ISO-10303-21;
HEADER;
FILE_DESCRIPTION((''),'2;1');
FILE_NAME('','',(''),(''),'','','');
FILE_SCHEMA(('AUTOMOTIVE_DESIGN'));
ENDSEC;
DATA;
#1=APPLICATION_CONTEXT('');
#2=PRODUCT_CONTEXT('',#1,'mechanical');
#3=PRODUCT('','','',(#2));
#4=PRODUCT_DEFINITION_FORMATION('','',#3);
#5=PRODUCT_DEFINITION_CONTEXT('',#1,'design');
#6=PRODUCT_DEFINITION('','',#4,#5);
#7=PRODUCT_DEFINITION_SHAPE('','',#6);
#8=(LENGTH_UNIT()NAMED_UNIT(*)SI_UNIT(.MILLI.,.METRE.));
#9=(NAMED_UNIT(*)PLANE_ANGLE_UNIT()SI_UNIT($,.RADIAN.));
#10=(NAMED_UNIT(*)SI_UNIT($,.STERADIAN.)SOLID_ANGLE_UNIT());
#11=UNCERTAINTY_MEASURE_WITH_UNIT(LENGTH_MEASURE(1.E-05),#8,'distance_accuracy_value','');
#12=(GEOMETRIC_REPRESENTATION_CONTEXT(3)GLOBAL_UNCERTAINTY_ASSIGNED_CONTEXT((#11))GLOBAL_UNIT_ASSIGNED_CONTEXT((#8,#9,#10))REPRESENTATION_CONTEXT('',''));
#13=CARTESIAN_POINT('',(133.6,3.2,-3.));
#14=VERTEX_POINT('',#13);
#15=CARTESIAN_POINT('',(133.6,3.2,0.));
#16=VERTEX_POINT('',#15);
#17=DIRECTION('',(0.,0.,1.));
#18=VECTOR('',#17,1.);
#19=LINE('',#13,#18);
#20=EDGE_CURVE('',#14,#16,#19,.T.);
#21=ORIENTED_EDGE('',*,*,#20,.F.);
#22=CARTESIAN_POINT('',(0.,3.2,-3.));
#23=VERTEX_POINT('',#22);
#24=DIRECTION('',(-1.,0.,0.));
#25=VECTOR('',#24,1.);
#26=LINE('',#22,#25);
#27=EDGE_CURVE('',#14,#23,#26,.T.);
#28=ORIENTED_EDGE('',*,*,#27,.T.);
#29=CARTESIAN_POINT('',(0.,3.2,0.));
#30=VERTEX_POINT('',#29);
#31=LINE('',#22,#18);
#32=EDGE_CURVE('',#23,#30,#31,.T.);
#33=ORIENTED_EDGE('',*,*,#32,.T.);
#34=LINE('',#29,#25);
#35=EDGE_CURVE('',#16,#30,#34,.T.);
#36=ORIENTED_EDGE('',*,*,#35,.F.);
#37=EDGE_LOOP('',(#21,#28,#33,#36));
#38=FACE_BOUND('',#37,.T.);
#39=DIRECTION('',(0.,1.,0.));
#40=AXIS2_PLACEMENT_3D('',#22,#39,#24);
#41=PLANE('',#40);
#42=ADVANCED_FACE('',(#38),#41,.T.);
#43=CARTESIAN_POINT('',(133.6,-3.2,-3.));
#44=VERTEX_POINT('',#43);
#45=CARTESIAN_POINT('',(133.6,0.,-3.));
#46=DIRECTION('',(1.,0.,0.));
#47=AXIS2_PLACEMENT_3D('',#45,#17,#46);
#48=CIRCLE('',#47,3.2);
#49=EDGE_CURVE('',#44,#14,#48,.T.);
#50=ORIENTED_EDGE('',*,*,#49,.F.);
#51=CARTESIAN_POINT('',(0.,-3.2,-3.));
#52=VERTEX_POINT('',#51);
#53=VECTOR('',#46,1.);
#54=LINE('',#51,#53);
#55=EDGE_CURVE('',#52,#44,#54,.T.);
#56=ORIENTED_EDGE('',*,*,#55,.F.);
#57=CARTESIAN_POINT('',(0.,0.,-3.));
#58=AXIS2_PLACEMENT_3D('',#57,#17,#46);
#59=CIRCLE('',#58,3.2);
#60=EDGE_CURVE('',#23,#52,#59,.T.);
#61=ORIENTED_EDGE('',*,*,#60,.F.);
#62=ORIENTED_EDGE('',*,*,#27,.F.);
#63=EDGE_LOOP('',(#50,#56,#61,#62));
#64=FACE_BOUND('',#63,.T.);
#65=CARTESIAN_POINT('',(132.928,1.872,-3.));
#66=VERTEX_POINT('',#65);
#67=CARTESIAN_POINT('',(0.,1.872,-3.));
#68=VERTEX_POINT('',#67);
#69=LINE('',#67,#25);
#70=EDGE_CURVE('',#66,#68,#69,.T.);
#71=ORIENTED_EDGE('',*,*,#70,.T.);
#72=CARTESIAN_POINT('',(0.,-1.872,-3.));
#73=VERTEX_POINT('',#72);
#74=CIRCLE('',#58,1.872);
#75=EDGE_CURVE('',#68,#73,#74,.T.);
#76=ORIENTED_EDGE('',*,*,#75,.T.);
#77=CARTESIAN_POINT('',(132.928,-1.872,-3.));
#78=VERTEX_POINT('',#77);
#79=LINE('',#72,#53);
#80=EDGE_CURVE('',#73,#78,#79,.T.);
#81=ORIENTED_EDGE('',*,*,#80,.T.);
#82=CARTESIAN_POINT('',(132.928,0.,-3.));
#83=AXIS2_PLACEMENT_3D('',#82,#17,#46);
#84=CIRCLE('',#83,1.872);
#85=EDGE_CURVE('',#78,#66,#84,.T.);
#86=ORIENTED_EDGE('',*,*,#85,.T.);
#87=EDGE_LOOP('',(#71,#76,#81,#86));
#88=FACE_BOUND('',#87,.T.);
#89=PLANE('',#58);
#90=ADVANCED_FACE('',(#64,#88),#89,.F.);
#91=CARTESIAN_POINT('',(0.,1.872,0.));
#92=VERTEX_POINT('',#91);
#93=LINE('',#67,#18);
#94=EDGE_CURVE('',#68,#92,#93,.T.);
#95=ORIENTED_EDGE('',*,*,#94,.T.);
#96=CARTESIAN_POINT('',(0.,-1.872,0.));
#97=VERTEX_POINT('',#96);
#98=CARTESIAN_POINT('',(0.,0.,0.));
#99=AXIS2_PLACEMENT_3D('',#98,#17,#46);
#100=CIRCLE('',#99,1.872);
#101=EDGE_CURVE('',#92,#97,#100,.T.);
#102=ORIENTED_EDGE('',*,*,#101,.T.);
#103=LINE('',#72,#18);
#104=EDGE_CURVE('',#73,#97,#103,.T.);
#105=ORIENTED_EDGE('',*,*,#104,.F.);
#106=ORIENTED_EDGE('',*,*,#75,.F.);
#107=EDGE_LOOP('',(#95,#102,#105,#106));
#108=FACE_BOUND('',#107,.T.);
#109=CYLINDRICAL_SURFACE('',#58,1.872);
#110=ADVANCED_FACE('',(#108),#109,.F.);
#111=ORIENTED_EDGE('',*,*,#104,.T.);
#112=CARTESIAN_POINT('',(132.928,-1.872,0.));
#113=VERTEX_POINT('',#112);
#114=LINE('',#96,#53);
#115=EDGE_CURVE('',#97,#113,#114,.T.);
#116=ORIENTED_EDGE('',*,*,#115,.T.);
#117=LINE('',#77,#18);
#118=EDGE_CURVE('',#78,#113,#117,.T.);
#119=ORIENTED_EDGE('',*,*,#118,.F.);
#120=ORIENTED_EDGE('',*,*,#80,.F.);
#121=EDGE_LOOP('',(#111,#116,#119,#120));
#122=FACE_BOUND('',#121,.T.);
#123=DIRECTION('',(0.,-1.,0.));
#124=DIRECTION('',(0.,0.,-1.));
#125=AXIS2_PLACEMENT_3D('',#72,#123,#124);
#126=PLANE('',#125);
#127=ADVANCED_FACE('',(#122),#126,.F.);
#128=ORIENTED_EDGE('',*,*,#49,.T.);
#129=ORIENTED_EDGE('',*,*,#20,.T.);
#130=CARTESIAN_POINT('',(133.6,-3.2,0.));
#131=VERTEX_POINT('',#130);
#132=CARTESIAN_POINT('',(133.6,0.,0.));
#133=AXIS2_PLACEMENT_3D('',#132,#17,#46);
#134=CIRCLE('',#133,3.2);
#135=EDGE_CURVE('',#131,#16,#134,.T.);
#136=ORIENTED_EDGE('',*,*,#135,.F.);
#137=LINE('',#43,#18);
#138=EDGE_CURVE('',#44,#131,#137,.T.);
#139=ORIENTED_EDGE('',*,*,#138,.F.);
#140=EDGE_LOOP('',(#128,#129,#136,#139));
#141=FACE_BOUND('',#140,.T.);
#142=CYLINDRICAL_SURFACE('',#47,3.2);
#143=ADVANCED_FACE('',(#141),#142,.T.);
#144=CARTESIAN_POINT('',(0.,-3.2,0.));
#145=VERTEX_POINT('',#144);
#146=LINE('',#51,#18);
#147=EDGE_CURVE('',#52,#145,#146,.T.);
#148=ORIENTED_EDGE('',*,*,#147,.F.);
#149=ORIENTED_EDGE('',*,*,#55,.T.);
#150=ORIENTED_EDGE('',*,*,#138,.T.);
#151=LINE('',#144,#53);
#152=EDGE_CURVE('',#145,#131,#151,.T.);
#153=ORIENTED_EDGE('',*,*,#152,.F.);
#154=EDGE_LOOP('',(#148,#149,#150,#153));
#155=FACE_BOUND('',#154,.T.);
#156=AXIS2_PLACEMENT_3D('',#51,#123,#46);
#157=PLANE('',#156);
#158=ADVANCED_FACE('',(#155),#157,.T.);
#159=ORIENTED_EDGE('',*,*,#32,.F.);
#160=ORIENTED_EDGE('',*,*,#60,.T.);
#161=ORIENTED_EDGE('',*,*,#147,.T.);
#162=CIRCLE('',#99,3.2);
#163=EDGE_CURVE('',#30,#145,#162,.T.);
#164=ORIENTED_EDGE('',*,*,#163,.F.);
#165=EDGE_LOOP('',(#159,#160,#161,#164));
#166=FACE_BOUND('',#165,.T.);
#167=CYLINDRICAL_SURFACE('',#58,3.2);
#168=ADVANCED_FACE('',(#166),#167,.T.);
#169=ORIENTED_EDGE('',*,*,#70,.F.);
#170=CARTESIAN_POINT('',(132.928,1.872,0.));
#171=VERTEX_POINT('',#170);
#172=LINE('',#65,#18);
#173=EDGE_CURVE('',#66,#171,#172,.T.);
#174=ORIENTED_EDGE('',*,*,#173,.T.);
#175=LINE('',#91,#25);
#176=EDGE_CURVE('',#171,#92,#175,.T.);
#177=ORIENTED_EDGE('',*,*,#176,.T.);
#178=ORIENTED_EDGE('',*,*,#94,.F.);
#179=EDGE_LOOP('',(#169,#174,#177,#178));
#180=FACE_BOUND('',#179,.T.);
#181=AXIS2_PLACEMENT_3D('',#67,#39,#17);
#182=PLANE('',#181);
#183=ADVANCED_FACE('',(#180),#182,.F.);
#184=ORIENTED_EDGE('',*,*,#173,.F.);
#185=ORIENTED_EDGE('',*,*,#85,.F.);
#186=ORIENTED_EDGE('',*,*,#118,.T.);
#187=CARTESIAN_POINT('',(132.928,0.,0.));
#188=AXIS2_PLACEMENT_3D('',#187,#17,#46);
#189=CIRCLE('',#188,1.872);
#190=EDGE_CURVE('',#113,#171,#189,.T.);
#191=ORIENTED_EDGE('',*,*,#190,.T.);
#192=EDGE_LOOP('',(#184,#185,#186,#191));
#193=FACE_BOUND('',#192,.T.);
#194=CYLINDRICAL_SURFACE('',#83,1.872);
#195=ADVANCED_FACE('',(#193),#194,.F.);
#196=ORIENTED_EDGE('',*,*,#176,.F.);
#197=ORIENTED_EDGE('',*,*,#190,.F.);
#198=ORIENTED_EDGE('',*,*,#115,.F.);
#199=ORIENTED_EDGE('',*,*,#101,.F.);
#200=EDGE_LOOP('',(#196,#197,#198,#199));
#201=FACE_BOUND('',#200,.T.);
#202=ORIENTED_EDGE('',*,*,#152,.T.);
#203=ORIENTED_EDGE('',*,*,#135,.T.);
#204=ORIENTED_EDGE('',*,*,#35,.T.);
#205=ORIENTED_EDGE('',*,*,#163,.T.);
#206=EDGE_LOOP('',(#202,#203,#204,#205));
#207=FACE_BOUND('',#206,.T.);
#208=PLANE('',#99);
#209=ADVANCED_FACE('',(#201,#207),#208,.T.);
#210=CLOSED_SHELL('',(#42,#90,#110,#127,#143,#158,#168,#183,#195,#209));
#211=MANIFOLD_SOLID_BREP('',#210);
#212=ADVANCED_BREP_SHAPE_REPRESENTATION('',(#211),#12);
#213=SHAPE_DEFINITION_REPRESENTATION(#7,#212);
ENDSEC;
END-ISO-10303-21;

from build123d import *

# Parameters (mm, degrees)
BOSS_EXTRUDE1_DEPTH = 3


with BuildPart() as part:
    # Sketch1 → Boss-Extrude1 (new body)
    with BuildSketch(Plane.XY):
        with BuildLine():
            Line((0, 3.2), (133.6, 3.2))
            ThreePointArc((133.6, 3.2), (136.8, 0), (133.6, -3.2))
            Line((133.6, -3.2), (0, -3.2))
            ThreePointArc((0, -3.2), (-3.2, 0), (0, 3.2))
        make_face()
        with BuildLine():
            Line((0, 1.872), (132.928, 1.872))
            ThreePointArc((132.928, 1.872), (134.8, 0), (132.928, -1.872))
            Line((132.928, -1.872), (0, -1.872))
            ThreePointArc((0, -1.872), (-1.872, 0), (0, 1.872))
        make_face(mode=Mode.SUBTRACT)
    extrude(amount=-BOSS_EXTRUDE1_DEPTH)


solid = part.part
